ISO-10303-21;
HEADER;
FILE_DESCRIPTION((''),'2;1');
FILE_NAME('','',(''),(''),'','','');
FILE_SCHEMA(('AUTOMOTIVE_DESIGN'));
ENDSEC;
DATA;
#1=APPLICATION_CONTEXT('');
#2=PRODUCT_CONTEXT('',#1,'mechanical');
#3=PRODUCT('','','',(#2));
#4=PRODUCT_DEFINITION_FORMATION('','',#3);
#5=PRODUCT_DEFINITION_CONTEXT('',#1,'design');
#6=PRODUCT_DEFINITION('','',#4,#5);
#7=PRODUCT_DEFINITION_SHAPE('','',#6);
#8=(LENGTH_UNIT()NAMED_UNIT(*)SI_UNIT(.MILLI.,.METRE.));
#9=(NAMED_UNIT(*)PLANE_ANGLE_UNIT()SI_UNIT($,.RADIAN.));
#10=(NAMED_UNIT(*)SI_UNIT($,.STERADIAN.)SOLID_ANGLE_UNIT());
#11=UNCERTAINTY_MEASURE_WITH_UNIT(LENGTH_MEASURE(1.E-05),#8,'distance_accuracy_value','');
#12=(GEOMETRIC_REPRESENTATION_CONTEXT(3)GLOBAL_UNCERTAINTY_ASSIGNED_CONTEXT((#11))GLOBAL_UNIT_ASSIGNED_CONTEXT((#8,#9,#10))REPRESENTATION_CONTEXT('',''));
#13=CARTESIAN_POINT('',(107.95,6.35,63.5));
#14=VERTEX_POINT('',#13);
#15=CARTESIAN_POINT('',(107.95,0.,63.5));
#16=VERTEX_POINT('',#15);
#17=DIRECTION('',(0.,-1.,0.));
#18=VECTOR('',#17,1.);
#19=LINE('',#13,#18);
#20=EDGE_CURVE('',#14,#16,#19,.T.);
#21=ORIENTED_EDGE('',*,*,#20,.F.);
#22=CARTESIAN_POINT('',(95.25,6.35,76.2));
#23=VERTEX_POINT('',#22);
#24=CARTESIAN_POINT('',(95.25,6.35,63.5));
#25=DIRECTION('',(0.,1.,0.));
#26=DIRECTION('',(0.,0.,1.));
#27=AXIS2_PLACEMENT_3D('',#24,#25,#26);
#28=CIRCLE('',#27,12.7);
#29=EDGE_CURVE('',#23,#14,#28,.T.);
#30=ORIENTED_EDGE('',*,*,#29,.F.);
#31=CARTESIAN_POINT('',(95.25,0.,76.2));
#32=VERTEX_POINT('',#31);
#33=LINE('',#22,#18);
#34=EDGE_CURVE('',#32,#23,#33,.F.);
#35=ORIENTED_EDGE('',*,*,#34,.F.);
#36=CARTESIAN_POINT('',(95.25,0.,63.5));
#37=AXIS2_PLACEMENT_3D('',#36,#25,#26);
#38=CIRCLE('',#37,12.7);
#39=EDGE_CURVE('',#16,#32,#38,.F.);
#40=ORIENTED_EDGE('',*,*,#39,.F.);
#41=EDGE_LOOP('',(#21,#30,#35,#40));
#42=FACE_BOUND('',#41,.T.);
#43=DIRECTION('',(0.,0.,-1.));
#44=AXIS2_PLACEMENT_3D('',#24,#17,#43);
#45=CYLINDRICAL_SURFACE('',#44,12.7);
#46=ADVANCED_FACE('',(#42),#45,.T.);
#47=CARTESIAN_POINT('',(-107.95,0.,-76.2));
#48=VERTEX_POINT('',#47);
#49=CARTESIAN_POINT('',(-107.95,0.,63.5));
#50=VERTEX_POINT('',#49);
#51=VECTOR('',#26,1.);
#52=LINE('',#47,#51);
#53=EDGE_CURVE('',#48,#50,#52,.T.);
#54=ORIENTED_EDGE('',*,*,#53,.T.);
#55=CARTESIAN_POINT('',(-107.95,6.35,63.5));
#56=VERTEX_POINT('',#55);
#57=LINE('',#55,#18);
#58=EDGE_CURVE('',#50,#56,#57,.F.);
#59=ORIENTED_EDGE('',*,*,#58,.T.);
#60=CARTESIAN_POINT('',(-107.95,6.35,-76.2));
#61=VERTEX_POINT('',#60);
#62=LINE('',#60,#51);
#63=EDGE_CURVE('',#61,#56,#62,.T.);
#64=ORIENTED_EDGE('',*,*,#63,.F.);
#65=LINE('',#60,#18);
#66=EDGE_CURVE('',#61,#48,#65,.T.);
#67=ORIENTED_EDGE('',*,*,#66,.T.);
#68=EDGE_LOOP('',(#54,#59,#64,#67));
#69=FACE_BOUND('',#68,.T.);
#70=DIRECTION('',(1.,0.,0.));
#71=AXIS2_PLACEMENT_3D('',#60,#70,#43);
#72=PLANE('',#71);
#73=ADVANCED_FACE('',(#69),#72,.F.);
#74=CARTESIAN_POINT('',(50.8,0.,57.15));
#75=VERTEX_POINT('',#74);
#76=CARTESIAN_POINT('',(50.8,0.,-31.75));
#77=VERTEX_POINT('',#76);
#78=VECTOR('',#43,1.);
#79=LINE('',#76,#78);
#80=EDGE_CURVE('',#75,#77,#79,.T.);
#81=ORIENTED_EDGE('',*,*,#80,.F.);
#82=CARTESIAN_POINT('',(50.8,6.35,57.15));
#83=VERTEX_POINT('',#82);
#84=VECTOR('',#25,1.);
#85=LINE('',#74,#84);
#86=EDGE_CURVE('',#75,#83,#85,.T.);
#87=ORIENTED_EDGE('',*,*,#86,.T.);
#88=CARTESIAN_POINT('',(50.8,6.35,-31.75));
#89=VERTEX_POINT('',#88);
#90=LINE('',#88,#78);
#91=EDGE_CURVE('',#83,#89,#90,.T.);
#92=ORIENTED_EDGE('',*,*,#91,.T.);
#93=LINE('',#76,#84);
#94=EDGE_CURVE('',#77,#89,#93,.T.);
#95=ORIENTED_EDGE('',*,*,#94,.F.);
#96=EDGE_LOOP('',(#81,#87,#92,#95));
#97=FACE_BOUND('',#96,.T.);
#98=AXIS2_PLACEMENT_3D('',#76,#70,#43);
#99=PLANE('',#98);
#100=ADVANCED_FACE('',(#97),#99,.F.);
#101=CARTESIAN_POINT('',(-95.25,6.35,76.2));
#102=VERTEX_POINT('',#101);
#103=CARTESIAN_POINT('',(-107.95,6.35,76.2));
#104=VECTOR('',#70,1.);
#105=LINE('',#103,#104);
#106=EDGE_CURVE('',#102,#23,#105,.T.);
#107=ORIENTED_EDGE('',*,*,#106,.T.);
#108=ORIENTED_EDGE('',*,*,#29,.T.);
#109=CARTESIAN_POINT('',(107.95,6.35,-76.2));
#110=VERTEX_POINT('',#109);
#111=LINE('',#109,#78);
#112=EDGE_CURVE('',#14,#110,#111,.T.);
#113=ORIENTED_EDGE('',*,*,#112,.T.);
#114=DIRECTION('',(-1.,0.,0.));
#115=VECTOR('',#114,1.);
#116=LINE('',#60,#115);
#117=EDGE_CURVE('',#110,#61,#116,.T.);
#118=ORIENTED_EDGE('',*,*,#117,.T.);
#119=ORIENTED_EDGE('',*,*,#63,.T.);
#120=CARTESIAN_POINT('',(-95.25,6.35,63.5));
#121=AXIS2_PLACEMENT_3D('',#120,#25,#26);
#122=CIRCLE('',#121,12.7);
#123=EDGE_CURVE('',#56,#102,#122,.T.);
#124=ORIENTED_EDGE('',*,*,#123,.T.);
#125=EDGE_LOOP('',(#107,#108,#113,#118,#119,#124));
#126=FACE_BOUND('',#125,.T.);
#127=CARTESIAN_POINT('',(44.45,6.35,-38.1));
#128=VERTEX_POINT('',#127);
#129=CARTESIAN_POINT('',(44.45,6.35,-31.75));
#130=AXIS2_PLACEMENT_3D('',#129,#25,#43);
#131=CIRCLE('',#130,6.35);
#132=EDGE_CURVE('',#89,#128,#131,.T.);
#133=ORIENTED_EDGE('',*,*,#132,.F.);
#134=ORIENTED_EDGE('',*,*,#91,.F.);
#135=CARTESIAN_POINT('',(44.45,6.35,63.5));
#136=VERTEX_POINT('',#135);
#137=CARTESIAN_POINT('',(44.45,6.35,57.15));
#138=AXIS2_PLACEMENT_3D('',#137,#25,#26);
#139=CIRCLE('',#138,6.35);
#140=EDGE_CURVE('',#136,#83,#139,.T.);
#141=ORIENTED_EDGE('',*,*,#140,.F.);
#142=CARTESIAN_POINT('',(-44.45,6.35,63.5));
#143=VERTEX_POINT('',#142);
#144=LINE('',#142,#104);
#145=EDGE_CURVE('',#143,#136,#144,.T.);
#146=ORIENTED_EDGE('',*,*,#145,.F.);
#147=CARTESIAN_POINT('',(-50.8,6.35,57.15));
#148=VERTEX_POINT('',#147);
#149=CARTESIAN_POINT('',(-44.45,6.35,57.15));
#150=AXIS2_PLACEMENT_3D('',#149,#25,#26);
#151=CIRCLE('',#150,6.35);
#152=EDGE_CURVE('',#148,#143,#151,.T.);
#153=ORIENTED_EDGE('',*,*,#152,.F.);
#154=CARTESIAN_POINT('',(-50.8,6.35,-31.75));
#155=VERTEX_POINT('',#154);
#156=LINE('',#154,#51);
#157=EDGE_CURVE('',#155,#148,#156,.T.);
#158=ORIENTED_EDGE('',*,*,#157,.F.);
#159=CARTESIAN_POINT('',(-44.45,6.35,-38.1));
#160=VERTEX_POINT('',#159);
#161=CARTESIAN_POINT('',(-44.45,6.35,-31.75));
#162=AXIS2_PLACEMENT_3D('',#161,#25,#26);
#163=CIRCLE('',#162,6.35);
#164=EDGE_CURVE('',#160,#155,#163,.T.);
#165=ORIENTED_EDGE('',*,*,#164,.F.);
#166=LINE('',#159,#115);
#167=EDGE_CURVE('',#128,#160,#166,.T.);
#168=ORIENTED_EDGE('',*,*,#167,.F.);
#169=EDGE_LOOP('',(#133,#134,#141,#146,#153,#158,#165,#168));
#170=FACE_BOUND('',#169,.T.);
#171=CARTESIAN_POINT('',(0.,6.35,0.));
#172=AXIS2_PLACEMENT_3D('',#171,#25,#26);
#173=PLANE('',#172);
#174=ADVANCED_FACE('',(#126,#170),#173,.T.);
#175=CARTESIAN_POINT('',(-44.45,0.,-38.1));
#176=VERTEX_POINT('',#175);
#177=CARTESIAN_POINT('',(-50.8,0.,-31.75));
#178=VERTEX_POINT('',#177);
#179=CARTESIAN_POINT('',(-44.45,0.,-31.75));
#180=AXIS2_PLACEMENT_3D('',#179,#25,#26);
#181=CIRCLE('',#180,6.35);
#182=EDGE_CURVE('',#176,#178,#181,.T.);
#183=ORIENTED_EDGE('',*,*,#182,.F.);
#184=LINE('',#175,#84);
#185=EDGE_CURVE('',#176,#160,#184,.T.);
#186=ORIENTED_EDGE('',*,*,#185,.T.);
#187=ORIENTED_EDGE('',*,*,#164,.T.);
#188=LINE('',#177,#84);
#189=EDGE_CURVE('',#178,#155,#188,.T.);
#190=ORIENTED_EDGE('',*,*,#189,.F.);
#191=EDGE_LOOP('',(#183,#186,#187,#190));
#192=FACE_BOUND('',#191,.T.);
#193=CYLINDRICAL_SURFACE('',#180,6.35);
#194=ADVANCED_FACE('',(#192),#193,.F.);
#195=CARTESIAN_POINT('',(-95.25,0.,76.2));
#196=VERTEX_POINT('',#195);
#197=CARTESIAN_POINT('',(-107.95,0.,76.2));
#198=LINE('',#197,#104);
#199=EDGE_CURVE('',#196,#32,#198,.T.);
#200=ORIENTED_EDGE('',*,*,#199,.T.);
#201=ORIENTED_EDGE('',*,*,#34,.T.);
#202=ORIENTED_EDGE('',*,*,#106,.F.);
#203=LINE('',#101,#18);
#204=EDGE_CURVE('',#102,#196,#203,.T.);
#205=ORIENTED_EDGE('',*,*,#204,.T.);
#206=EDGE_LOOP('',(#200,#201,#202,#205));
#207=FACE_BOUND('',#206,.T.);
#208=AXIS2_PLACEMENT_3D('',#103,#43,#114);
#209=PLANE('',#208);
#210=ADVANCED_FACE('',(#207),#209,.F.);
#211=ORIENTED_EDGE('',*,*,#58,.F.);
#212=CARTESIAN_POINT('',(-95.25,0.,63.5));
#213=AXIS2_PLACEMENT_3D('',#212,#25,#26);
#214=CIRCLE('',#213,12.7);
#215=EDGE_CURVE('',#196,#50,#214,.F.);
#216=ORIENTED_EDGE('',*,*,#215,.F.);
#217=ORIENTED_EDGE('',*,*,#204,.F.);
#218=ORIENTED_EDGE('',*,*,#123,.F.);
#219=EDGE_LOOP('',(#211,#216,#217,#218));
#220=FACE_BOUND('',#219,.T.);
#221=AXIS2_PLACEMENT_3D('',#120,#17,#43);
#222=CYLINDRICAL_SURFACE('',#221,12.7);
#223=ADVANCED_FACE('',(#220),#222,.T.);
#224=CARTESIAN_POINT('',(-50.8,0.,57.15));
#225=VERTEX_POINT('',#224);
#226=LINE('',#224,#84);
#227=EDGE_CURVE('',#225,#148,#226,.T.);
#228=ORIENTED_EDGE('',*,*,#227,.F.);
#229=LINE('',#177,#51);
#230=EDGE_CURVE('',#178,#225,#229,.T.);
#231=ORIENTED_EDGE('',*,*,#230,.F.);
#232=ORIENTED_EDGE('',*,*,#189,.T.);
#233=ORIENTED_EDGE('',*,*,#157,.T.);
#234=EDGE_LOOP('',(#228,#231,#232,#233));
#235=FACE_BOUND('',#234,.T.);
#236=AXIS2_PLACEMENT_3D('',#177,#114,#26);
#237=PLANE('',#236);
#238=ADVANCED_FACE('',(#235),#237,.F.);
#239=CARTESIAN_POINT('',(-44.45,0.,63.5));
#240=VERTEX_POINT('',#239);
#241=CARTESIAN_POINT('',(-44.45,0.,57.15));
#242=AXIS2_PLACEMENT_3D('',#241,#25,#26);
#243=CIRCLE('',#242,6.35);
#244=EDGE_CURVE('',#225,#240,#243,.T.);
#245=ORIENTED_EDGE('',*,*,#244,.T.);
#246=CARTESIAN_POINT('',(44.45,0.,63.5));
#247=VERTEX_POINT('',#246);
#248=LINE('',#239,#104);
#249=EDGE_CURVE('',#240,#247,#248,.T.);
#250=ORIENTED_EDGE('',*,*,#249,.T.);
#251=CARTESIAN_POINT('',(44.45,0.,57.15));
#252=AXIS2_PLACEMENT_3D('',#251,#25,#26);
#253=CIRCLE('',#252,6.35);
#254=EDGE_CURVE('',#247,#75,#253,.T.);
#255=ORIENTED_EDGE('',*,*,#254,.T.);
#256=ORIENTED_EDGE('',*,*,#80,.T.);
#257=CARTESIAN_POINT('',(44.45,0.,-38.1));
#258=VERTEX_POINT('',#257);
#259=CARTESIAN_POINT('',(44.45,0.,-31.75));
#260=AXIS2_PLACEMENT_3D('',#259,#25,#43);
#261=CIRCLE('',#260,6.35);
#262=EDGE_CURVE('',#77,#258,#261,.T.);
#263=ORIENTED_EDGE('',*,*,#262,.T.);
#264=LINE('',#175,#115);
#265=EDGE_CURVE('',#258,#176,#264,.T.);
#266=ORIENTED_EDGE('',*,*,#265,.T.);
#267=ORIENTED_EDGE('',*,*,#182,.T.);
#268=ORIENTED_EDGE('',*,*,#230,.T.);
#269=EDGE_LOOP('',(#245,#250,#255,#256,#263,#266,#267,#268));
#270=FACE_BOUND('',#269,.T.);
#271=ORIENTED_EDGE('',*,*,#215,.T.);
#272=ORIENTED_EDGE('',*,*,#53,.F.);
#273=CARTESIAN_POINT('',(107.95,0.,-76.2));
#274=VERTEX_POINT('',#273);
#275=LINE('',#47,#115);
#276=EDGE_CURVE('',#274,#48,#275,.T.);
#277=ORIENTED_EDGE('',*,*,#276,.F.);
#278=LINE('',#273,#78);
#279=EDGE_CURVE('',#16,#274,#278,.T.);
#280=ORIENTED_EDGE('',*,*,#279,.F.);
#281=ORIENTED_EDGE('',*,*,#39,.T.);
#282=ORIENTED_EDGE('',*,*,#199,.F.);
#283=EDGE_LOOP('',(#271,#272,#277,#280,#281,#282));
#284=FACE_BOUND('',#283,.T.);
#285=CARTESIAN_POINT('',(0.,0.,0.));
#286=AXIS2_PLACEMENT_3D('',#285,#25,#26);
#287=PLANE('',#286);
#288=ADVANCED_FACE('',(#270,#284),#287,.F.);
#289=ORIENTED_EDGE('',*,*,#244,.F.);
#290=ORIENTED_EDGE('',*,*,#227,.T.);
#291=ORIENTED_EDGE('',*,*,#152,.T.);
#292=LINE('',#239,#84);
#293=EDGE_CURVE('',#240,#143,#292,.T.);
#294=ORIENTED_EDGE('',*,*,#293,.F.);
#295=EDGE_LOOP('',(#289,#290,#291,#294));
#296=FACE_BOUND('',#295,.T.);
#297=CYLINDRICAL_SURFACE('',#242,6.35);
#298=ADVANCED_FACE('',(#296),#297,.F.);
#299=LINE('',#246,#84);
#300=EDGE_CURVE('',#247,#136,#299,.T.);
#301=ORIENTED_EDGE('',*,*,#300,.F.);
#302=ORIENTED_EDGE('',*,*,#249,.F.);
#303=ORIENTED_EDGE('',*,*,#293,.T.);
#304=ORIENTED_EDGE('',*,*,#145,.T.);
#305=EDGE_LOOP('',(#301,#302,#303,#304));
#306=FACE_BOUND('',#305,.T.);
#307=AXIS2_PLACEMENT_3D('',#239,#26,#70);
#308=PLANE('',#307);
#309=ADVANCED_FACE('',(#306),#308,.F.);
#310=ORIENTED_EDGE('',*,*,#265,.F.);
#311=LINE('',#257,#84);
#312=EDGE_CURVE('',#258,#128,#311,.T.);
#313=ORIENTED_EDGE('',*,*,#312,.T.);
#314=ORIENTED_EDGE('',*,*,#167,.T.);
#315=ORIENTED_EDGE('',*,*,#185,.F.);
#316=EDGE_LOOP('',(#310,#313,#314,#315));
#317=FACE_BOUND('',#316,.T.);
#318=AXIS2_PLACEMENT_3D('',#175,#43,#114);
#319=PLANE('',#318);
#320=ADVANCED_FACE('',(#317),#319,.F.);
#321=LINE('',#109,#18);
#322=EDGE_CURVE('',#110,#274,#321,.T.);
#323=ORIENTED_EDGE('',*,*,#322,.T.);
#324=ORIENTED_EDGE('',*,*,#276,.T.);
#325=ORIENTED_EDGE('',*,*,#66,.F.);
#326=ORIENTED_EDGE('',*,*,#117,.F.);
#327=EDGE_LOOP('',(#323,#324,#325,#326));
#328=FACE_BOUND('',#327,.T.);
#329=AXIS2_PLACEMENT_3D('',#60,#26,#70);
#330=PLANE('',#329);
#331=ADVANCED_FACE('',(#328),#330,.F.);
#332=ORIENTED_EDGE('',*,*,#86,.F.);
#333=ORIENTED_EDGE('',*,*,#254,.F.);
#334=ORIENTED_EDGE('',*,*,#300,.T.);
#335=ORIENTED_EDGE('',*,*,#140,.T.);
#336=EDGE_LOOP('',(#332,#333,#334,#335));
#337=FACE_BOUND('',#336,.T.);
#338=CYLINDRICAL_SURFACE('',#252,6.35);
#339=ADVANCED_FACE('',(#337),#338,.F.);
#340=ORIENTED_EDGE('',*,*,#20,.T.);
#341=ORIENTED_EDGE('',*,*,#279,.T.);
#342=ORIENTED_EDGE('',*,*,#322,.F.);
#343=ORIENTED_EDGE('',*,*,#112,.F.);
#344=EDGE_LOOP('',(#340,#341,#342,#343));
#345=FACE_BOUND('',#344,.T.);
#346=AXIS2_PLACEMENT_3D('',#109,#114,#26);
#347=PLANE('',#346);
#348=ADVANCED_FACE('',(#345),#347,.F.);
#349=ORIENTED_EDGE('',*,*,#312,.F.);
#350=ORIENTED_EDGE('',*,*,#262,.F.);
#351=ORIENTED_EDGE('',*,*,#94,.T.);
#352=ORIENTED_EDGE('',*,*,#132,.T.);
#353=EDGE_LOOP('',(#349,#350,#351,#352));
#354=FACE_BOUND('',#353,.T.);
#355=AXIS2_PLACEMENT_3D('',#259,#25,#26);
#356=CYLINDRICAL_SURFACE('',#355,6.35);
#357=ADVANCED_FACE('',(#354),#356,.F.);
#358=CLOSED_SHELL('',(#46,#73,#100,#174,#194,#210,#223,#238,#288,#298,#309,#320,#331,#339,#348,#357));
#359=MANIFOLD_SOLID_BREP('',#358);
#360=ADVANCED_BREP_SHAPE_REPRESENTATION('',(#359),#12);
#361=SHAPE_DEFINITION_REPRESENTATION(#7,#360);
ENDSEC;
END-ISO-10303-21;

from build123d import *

# Parameters (mm, degrees)
ESQUISSE1_W             = 215.9
ESQUISSE1_H             = 152.4
BOSS_EXTRU_1_DEPTH      = 6.35
CONG_1_R                = 12.7
ENL_V_MAT_EXTRU_1_DEPTH = 133.287433266


with BuildPart() as part:
    # Esquisse1 → Boss.-Extru.1 (new body)
    with BuildSketch(Plane(origin=(0, 0, 0), x_dir=(1, 0, 0), z_dir=(0, 1, 0))):
        Rectangle(ESQUISSE1_W, ESQUISSE1_H)
    extrude(amount=BOSS_EXTRU_1_DEPTH)

    # Congé1
    cong_1_edges = [part.edges().sort_by_distance(p)[0] for p in [
        (107.95, 3.175, 76.2),
        (-107.95, 3.175, 76.2),
    ]]
    fillet(cong_1_edges, radius=CONG_1_R)

    # Esquisse2 → Enlèv. mat.-Extru.1 (cut, through all)
    with BuildSketch(Plane(origin=(0, 6.35, 0), x_dir=(1, 0, 0), z_dir=(0, 1, 0))):
        with BuildLine():
            Line((-44.45, 38.1), (44.45, 38.1))
            ThreePointArc((44.45, 38.1), (48.940128061, 36.240128061), (50.8, 31.75))
            Line((50.8, 31.75), (50.8, -57.15))
            ThreePointArc((50.8, -57.15), (48.940128061, -61.640128061), (44.45, -63.5))
            Line((44.45, -63.5), (-44.45, -63.5))
            ThreePointArc((-44.45, -63.5), (-48.940128061, -61.640128061), (-50.8, -57.15))
            Line((-50.8, -57.15), (-50.8, 31.75))
            ThreePointArc((-50.8, 31.75), (-48.940128061, 36.240128061), (-44.45, 38.1))
        make_face()
    extrude(amount=-ENL_V_MAT_EXTRU_1_DEPTH, mode=Mode.SUBTRACT)


solid = part.part
